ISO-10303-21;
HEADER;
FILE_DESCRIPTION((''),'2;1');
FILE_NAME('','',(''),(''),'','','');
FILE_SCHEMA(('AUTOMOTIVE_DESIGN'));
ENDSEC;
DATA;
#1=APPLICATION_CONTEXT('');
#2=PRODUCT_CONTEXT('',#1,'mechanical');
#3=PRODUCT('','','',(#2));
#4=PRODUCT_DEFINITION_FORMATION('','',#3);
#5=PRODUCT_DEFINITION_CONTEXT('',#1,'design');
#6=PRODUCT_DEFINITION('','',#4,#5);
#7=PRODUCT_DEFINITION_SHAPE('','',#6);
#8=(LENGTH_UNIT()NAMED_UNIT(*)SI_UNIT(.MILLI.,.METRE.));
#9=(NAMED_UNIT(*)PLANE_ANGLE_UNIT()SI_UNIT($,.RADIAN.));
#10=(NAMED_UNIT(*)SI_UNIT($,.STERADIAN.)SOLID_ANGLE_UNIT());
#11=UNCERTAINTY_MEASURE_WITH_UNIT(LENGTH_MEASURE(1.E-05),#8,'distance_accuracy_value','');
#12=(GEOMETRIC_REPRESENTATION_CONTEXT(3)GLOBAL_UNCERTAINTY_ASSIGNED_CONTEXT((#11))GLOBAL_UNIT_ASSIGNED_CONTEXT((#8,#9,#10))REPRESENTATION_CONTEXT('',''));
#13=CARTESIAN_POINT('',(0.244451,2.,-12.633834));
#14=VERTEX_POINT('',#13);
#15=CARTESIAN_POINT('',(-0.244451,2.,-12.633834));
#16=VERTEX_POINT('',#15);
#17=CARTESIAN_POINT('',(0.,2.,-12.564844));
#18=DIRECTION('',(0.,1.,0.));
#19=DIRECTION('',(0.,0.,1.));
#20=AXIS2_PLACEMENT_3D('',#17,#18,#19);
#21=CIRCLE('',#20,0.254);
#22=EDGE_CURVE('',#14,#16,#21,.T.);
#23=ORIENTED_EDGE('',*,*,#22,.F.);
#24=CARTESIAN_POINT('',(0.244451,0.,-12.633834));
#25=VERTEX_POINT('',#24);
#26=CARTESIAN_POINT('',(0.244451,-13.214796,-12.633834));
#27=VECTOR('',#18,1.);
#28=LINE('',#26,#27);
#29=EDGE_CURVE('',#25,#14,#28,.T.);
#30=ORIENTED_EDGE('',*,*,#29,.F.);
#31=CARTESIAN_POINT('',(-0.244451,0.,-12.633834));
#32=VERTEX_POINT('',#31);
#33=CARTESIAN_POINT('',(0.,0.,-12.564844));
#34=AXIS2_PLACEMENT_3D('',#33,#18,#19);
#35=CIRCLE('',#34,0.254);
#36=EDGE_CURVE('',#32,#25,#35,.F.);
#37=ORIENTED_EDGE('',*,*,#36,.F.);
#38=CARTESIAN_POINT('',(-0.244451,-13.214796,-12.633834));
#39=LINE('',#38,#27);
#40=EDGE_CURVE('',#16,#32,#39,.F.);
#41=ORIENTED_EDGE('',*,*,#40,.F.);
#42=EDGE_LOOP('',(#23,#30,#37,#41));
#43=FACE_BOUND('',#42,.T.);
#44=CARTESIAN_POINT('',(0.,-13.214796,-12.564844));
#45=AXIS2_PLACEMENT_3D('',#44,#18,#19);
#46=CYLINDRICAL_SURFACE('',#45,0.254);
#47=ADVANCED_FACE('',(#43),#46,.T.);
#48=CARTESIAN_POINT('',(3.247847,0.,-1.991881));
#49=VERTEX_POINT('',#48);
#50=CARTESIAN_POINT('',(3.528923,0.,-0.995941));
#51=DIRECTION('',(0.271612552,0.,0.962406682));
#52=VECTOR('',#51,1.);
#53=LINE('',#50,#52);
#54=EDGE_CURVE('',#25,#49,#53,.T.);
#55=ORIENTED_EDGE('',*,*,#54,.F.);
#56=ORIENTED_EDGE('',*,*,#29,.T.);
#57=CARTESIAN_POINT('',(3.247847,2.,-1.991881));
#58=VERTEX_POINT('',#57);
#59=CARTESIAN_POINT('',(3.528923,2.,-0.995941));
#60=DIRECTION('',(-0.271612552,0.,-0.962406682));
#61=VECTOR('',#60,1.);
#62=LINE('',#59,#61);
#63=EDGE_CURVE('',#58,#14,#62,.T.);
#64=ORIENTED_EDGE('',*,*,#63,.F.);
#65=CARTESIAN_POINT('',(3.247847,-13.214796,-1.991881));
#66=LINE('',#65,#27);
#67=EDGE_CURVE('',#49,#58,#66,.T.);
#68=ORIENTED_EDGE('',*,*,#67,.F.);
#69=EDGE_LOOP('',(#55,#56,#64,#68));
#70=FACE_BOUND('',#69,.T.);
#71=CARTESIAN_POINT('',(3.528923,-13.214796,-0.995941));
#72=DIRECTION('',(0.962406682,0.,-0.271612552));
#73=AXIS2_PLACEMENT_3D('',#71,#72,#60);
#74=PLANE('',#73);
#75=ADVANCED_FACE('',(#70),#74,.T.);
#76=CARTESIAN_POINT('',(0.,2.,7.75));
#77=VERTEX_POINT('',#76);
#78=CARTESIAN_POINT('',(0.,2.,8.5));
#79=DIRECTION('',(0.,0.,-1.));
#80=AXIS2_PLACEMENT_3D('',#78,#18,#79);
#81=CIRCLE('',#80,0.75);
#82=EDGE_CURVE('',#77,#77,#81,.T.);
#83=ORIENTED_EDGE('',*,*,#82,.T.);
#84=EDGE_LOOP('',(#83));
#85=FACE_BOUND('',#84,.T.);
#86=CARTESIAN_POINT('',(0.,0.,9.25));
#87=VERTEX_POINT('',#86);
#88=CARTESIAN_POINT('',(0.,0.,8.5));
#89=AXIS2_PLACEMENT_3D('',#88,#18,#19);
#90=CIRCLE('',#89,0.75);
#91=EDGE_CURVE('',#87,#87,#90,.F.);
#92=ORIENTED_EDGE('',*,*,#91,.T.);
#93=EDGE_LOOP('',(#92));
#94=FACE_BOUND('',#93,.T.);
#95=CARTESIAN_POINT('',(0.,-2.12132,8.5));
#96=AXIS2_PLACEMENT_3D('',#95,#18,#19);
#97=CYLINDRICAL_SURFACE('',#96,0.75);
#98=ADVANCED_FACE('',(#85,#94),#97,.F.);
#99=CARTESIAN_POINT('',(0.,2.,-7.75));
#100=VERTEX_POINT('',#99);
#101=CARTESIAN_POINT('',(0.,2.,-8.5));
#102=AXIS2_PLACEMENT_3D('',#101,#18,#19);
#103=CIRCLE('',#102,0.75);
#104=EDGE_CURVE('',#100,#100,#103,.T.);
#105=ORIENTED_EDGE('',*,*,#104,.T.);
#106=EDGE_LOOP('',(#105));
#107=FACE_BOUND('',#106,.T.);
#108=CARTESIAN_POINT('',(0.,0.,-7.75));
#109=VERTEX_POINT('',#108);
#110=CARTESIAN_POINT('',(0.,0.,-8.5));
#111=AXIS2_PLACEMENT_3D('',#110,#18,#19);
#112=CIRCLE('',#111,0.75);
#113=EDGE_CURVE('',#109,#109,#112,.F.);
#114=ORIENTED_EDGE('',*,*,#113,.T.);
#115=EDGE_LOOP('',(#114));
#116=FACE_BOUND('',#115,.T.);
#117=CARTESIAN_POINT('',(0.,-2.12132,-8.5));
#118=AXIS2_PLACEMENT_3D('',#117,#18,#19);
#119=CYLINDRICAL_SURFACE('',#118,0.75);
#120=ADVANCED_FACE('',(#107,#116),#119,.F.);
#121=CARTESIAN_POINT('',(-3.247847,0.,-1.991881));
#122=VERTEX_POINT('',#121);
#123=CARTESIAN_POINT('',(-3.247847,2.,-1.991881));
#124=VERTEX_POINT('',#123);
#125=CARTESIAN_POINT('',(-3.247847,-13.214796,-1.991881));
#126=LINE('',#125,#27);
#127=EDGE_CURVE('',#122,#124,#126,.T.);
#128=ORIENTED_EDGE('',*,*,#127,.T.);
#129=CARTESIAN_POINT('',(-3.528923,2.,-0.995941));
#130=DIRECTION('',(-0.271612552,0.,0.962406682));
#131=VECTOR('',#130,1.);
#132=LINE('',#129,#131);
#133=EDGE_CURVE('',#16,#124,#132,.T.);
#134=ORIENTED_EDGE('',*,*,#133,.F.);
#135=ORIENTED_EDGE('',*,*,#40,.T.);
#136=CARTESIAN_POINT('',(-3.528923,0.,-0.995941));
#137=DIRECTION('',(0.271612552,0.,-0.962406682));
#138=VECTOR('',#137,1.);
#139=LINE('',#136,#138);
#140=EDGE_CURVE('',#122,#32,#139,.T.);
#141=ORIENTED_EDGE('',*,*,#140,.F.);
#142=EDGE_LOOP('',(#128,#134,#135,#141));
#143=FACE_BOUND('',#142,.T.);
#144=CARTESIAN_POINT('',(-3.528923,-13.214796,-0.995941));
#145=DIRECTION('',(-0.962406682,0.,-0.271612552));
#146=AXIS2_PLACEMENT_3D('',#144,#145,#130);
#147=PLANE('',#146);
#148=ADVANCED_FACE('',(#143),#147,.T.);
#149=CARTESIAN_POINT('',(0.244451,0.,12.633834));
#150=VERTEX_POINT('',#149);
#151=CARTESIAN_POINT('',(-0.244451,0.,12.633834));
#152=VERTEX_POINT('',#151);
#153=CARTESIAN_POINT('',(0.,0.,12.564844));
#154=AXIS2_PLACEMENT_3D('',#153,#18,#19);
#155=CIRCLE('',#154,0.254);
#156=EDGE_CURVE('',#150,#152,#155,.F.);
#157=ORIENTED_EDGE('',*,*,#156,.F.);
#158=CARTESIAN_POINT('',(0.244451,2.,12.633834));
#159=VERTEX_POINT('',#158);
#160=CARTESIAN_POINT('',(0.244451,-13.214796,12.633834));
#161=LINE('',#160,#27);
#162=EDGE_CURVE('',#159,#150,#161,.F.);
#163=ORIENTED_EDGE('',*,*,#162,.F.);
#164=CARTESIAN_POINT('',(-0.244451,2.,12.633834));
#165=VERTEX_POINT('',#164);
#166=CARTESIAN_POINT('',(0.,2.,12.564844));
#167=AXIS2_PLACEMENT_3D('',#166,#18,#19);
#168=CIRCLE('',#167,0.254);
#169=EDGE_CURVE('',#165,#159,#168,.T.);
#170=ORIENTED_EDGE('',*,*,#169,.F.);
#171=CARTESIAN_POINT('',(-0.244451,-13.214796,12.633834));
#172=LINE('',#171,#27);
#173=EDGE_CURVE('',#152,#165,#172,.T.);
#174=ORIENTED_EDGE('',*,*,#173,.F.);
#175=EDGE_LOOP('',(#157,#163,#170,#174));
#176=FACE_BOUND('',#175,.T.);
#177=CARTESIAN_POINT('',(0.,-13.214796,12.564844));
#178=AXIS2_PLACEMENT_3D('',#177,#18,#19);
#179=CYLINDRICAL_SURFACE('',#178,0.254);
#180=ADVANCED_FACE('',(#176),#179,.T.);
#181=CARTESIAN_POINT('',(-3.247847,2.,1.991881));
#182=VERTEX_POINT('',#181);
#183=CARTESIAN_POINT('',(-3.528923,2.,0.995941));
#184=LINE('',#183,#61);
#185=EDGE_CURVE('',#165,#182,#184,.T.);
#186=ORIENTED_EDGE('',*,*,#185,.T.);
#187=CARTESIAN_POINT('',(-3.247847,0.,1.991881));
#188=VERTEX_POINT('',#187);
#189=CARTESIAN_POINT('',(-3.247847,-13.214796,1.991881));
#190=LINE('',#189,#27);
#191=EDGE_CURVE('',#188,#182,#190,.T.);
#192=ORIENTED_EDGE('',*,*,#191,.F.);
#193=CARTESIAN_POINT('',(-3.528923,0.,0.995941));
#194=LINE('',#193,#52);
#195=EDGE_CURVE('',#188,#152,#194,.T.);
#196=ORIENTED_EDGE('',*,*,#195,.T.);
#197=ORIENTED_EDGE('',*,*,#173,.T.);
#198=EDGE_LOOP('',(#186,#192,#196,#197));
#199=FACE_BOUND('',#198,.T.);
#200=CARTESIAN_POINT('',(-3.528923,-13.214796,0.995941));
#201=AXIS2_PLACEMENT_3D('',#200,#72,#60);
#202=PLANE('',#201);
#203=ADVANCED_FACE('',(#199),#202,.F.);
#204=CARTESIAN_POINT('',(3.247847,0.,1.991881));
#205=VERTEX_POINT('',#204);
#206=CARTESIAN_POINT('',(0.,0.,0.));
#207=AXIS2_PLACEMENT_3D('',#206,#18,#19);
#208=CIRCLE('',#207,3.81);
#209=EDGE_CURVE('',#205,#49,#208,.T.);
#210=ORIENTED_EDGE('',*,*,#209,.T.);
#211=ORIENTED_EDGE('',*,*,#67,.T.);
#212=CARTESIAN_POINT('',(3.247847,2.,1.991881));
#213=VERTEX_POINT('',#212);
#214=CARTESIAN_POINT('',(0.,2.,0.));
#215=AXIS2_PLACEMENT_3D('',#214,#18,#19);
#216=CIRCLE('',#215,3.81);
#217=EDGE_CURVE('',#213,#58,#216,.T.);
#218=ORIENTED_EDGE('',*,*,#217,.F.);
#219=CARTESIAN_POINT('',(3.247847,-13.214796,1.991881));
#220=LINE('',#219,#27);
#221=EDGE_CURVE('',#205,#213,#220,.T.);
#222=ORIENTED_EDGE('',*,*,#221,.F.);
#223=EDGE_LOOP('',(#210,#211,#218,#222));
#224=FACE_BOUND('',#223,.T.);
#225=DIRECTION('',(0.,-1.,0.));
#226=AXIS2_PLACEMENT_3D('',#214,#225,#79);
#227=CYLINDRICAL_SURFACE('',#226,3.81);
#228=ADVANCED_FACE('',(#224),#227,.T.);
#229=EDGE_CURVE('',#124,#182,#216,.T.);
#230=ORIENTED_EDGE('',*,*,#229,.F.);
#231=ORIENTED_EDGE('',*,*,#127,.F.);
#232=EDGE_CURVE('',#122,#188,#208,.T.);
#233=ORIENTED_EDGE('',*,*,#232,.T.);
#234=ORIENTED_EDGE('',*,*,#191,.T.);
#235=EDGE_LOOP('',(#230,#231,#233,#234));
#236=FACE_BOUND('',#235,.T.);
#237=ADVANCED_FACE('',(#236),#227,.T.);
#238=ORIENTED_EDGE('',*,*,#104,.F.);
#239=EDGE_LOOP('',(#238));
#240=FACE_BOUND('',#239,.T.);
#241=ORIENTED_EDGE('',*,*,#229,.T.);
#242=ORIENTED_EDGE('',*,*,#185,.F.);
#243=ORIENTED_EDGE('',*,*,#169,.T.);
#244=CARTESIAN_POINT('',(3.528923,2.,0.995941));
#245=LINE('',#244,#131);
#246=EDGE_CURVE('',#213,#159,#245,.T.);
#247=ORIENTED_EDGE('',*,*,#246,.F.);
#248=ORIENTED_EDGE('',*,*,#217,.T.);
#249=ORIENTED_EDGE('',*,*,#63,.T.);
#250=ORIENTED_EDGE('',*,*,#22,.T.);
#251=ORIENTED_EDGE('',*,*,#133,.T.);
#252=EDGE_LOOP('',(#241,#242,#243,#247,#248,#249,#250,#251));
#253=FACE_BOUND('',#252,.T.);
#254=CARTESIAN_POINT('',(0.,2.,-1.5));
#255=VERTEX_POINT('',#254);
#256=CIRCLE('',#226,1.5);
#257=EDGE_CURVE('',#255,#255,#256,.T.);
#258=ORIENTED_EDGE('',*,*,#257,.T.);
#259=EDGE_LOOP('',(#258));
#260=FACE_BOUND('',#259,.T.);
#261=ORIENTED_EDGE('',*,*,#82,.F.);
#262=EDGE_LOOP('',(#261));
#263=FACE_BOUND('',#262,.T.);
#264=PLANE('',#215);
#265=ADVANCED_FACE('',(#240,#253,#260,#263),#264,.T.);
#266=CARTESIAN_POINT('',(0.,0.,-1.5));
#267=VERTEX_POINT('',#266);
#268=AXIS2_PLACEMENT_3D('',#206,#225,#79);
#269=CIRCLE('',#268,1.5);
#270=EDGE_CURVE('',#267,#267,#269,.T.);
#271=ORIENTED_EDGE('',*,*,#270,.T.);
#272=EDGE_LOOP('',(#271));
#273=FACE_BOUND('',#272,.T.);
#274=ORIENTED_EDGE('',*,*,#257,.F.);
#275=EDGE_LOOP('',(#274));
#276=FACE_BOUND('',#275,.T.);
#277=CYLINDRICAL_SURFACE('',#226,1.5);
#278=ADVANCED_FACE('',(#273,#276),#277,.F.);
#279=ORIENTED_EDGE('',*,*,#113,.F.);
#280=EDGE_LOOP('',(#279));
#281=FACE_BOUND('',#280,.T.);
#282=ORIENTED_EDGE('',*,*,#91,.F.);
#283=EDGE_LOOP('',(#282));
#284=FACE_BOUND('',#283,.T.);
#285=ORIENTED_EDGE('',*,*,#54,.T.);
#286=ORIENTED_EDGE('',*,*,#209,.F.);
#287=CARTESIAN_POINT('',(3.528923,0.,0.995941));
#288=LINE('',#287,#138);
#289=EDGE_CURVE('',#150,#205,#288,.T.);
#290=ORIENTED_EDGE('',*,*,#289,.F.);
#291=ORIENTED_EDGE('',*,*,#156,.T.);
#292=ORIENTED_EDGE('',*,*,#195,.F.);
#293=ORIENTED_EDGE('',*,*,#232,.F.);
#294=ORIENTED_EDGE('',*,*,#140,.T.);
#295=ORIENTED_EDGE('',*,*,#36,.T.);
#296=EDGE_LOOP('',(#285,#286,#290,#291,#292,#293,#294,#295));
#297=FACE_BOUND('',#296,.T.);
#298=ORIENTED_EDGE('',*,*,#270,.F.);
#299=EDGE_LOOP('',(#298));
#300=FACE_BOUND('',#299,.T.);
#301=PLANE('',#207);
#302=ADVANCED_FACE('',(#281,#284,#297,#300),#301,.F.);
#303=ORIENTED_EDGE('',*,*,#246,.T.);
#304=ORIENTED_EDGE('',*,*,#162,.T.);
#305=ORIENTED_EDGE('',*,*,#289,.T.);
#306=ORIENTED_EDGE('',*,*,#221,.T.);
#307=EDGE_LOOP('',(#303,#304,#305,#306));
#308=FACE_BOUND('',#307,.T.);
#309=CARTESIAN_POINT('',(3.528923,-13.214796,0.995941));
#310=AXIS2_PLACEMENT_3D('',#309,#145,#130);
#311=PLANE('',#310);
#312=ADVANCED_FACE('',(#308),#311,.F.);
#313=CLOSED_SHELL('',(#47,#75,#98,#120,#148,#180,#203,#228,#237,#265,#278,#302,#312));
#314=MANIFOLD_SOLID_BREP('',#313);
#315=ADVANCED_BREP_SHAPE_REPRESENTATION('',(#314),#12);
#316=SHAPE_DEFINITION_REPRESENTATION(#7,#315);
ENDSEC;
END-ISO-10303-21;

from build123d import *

# Parameters (mm, degrees)
SKETCH1_R           = 3.81
BOSS_EXTRUDE1_DEPTH = 2
BOSS_EXTRUDE2_DEPTH = 2
FILLET1_R           = 0.254
SKETCH3_R           = 0.75
CUT_EXTRUDE1_DEPTH  = 2
SKETCH4_R           = 1.5
CUT_EXTRUDE2_DEPTH  = 3


with BuildPart() as part:
    # Sketch1 → Boss-Extrude1 (new body)
    with BuildSketch(Plane(origin=(0, 0, 0), x_dir=(1, 0, 0), z_dir=(0, 1, 0))):
        Circle(SKETCH1_R)
    extrude(amount=BOSS_EXTRUDE1_DEPTH)

    # Sketch2 → Boss-Extrude2 (add)
    with BuildSketch(Plane(origin=(0, 2, 0), x_dir=(1, 0, 0), z_dir=(0, 1, 0))):
        with BuildLine():
            Line((0, -13.5), (3.247846855, -1.991881223))
            ThreePointArc((3.247846855, -1.991881223), (0, -3.81), (-3.247846855, -1.991881223))
            Line((-3.247846855, -1.991881223), (0, -13.5))
        make_face()
        with BuildLine():
            ThreePointArc((-3.247846855, 1.991881223), (0, 3.81), (3.247846855, 1.991881223))
            Line((3.247846855, 1.991881223), (0, 13.5))
            Line((0, 13.5), (-3.247846855, 1.991881223))
        make_face()
    extrude(amount=-BOSS_EXTRUDE2_DEPTH)

    # Fillet1
    fillet1_edges = [part.edges().sort_by_distance(p)[0] for p in [
        (0, 1, -13.5),
        (0, 1, 13.5),
    ]]
    fillet(fillet1_edges, radius=FILLET1_R)

    # Sketch3 → Cut-Extrude1 (cut)
    with BuildSketch(Plane(origin=(0, 2, 0), x_dir=(1, 0, 0), z_dir=(0, 1, 0))):
        with Locations((0, 8.5)):
            Circle(SKETCH3_R)
        with Locations((0, -8.5)):
            Circle(SKETCH3_R)
    extrude(amount=-CUT_EXTRUDE1_DEPTH, mode=Mode.SUBTRACT)

    # Sketch4 → Cut-Extrude2 (cut, through all)
    with BuildSketch(Plane.XZ):
        Circle(SKETCH4_R)
    extrude(amount=-CUT_EXTRUDE2_DEPTH, mode=Mode.SUBTRACT)


solid = part.part
